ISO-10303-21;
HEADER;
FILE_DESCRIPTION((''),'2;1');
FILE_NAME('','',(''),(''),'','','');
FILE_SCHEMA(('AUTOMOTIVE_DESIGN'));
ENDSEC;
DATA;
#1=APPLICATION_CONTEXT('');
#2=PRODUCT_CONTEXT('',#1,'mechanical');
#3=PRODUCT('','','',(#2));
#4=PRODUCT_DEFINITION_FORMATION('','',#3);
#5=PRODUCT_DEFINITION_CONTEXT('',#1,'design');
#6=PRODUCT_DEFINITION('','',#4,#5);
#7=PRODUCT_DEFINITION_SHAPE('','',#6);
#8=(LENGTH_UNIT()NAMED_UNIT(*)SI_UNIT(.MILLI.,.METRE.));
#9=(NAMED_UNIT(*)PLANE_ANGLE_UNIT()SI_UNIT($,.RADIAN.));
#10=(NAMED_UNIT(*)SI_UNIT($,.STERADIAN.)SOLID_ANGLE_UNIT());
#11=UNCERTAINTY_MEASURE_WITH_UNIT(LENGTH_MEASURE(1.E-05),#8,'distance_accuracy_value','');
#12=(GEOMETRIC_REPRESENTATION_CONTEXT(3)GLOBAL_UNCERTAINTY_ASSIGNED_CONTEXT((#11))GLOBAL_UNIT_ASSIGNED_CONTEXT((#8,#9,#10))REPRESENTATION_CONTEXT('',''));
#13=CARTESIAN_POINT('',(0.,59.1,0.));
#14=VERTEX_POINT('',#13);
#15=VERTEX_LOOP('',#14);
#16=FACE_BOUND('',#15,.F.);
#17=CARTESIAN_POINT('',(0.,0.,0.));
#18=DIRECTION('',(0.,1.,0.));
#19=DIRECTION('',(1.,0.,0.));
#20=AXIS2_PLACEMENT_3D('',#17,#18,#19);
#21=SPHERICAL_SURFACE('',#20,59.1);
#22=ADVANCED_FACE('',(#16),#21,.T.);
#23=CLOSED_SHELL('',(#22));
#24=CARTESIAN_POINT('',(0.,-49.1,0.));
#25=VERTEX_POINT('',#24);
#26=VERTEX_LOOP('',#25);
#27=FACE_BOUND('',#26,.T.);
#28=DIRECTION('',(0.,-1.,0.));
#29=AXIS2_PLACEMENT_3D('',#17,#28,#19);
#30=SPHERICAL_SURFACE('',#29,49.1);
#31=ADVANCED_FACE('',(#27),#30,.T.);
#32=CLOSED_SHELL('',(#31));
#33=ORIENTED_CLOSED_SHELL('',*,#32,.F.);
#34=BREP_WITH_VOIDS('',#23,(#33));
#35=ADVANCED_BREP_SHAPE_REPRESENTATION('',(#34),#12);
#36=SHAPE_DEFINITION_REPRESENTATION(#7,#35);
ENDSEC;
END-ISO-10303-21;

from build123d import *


with BuildPart() as f1:
    # F0 (on Top) → F1 (revolve)
    with BuildSketch(Plane.XY):
        with BuildLine():
            ThreePointArc((0, 49.1), (49.1, 0), (0, -49.1))
            Line((0, -49.1), (0, -59.1))
            ThreePointArc((0, -59.1), (59.1, 0), (0, 59.1))
            Line((0, 59.1), (0, 49.1))
        make_face()
    revolve(axis=Axis((0, 0, 0), (0, -1, 0)))


solid = f1.part
